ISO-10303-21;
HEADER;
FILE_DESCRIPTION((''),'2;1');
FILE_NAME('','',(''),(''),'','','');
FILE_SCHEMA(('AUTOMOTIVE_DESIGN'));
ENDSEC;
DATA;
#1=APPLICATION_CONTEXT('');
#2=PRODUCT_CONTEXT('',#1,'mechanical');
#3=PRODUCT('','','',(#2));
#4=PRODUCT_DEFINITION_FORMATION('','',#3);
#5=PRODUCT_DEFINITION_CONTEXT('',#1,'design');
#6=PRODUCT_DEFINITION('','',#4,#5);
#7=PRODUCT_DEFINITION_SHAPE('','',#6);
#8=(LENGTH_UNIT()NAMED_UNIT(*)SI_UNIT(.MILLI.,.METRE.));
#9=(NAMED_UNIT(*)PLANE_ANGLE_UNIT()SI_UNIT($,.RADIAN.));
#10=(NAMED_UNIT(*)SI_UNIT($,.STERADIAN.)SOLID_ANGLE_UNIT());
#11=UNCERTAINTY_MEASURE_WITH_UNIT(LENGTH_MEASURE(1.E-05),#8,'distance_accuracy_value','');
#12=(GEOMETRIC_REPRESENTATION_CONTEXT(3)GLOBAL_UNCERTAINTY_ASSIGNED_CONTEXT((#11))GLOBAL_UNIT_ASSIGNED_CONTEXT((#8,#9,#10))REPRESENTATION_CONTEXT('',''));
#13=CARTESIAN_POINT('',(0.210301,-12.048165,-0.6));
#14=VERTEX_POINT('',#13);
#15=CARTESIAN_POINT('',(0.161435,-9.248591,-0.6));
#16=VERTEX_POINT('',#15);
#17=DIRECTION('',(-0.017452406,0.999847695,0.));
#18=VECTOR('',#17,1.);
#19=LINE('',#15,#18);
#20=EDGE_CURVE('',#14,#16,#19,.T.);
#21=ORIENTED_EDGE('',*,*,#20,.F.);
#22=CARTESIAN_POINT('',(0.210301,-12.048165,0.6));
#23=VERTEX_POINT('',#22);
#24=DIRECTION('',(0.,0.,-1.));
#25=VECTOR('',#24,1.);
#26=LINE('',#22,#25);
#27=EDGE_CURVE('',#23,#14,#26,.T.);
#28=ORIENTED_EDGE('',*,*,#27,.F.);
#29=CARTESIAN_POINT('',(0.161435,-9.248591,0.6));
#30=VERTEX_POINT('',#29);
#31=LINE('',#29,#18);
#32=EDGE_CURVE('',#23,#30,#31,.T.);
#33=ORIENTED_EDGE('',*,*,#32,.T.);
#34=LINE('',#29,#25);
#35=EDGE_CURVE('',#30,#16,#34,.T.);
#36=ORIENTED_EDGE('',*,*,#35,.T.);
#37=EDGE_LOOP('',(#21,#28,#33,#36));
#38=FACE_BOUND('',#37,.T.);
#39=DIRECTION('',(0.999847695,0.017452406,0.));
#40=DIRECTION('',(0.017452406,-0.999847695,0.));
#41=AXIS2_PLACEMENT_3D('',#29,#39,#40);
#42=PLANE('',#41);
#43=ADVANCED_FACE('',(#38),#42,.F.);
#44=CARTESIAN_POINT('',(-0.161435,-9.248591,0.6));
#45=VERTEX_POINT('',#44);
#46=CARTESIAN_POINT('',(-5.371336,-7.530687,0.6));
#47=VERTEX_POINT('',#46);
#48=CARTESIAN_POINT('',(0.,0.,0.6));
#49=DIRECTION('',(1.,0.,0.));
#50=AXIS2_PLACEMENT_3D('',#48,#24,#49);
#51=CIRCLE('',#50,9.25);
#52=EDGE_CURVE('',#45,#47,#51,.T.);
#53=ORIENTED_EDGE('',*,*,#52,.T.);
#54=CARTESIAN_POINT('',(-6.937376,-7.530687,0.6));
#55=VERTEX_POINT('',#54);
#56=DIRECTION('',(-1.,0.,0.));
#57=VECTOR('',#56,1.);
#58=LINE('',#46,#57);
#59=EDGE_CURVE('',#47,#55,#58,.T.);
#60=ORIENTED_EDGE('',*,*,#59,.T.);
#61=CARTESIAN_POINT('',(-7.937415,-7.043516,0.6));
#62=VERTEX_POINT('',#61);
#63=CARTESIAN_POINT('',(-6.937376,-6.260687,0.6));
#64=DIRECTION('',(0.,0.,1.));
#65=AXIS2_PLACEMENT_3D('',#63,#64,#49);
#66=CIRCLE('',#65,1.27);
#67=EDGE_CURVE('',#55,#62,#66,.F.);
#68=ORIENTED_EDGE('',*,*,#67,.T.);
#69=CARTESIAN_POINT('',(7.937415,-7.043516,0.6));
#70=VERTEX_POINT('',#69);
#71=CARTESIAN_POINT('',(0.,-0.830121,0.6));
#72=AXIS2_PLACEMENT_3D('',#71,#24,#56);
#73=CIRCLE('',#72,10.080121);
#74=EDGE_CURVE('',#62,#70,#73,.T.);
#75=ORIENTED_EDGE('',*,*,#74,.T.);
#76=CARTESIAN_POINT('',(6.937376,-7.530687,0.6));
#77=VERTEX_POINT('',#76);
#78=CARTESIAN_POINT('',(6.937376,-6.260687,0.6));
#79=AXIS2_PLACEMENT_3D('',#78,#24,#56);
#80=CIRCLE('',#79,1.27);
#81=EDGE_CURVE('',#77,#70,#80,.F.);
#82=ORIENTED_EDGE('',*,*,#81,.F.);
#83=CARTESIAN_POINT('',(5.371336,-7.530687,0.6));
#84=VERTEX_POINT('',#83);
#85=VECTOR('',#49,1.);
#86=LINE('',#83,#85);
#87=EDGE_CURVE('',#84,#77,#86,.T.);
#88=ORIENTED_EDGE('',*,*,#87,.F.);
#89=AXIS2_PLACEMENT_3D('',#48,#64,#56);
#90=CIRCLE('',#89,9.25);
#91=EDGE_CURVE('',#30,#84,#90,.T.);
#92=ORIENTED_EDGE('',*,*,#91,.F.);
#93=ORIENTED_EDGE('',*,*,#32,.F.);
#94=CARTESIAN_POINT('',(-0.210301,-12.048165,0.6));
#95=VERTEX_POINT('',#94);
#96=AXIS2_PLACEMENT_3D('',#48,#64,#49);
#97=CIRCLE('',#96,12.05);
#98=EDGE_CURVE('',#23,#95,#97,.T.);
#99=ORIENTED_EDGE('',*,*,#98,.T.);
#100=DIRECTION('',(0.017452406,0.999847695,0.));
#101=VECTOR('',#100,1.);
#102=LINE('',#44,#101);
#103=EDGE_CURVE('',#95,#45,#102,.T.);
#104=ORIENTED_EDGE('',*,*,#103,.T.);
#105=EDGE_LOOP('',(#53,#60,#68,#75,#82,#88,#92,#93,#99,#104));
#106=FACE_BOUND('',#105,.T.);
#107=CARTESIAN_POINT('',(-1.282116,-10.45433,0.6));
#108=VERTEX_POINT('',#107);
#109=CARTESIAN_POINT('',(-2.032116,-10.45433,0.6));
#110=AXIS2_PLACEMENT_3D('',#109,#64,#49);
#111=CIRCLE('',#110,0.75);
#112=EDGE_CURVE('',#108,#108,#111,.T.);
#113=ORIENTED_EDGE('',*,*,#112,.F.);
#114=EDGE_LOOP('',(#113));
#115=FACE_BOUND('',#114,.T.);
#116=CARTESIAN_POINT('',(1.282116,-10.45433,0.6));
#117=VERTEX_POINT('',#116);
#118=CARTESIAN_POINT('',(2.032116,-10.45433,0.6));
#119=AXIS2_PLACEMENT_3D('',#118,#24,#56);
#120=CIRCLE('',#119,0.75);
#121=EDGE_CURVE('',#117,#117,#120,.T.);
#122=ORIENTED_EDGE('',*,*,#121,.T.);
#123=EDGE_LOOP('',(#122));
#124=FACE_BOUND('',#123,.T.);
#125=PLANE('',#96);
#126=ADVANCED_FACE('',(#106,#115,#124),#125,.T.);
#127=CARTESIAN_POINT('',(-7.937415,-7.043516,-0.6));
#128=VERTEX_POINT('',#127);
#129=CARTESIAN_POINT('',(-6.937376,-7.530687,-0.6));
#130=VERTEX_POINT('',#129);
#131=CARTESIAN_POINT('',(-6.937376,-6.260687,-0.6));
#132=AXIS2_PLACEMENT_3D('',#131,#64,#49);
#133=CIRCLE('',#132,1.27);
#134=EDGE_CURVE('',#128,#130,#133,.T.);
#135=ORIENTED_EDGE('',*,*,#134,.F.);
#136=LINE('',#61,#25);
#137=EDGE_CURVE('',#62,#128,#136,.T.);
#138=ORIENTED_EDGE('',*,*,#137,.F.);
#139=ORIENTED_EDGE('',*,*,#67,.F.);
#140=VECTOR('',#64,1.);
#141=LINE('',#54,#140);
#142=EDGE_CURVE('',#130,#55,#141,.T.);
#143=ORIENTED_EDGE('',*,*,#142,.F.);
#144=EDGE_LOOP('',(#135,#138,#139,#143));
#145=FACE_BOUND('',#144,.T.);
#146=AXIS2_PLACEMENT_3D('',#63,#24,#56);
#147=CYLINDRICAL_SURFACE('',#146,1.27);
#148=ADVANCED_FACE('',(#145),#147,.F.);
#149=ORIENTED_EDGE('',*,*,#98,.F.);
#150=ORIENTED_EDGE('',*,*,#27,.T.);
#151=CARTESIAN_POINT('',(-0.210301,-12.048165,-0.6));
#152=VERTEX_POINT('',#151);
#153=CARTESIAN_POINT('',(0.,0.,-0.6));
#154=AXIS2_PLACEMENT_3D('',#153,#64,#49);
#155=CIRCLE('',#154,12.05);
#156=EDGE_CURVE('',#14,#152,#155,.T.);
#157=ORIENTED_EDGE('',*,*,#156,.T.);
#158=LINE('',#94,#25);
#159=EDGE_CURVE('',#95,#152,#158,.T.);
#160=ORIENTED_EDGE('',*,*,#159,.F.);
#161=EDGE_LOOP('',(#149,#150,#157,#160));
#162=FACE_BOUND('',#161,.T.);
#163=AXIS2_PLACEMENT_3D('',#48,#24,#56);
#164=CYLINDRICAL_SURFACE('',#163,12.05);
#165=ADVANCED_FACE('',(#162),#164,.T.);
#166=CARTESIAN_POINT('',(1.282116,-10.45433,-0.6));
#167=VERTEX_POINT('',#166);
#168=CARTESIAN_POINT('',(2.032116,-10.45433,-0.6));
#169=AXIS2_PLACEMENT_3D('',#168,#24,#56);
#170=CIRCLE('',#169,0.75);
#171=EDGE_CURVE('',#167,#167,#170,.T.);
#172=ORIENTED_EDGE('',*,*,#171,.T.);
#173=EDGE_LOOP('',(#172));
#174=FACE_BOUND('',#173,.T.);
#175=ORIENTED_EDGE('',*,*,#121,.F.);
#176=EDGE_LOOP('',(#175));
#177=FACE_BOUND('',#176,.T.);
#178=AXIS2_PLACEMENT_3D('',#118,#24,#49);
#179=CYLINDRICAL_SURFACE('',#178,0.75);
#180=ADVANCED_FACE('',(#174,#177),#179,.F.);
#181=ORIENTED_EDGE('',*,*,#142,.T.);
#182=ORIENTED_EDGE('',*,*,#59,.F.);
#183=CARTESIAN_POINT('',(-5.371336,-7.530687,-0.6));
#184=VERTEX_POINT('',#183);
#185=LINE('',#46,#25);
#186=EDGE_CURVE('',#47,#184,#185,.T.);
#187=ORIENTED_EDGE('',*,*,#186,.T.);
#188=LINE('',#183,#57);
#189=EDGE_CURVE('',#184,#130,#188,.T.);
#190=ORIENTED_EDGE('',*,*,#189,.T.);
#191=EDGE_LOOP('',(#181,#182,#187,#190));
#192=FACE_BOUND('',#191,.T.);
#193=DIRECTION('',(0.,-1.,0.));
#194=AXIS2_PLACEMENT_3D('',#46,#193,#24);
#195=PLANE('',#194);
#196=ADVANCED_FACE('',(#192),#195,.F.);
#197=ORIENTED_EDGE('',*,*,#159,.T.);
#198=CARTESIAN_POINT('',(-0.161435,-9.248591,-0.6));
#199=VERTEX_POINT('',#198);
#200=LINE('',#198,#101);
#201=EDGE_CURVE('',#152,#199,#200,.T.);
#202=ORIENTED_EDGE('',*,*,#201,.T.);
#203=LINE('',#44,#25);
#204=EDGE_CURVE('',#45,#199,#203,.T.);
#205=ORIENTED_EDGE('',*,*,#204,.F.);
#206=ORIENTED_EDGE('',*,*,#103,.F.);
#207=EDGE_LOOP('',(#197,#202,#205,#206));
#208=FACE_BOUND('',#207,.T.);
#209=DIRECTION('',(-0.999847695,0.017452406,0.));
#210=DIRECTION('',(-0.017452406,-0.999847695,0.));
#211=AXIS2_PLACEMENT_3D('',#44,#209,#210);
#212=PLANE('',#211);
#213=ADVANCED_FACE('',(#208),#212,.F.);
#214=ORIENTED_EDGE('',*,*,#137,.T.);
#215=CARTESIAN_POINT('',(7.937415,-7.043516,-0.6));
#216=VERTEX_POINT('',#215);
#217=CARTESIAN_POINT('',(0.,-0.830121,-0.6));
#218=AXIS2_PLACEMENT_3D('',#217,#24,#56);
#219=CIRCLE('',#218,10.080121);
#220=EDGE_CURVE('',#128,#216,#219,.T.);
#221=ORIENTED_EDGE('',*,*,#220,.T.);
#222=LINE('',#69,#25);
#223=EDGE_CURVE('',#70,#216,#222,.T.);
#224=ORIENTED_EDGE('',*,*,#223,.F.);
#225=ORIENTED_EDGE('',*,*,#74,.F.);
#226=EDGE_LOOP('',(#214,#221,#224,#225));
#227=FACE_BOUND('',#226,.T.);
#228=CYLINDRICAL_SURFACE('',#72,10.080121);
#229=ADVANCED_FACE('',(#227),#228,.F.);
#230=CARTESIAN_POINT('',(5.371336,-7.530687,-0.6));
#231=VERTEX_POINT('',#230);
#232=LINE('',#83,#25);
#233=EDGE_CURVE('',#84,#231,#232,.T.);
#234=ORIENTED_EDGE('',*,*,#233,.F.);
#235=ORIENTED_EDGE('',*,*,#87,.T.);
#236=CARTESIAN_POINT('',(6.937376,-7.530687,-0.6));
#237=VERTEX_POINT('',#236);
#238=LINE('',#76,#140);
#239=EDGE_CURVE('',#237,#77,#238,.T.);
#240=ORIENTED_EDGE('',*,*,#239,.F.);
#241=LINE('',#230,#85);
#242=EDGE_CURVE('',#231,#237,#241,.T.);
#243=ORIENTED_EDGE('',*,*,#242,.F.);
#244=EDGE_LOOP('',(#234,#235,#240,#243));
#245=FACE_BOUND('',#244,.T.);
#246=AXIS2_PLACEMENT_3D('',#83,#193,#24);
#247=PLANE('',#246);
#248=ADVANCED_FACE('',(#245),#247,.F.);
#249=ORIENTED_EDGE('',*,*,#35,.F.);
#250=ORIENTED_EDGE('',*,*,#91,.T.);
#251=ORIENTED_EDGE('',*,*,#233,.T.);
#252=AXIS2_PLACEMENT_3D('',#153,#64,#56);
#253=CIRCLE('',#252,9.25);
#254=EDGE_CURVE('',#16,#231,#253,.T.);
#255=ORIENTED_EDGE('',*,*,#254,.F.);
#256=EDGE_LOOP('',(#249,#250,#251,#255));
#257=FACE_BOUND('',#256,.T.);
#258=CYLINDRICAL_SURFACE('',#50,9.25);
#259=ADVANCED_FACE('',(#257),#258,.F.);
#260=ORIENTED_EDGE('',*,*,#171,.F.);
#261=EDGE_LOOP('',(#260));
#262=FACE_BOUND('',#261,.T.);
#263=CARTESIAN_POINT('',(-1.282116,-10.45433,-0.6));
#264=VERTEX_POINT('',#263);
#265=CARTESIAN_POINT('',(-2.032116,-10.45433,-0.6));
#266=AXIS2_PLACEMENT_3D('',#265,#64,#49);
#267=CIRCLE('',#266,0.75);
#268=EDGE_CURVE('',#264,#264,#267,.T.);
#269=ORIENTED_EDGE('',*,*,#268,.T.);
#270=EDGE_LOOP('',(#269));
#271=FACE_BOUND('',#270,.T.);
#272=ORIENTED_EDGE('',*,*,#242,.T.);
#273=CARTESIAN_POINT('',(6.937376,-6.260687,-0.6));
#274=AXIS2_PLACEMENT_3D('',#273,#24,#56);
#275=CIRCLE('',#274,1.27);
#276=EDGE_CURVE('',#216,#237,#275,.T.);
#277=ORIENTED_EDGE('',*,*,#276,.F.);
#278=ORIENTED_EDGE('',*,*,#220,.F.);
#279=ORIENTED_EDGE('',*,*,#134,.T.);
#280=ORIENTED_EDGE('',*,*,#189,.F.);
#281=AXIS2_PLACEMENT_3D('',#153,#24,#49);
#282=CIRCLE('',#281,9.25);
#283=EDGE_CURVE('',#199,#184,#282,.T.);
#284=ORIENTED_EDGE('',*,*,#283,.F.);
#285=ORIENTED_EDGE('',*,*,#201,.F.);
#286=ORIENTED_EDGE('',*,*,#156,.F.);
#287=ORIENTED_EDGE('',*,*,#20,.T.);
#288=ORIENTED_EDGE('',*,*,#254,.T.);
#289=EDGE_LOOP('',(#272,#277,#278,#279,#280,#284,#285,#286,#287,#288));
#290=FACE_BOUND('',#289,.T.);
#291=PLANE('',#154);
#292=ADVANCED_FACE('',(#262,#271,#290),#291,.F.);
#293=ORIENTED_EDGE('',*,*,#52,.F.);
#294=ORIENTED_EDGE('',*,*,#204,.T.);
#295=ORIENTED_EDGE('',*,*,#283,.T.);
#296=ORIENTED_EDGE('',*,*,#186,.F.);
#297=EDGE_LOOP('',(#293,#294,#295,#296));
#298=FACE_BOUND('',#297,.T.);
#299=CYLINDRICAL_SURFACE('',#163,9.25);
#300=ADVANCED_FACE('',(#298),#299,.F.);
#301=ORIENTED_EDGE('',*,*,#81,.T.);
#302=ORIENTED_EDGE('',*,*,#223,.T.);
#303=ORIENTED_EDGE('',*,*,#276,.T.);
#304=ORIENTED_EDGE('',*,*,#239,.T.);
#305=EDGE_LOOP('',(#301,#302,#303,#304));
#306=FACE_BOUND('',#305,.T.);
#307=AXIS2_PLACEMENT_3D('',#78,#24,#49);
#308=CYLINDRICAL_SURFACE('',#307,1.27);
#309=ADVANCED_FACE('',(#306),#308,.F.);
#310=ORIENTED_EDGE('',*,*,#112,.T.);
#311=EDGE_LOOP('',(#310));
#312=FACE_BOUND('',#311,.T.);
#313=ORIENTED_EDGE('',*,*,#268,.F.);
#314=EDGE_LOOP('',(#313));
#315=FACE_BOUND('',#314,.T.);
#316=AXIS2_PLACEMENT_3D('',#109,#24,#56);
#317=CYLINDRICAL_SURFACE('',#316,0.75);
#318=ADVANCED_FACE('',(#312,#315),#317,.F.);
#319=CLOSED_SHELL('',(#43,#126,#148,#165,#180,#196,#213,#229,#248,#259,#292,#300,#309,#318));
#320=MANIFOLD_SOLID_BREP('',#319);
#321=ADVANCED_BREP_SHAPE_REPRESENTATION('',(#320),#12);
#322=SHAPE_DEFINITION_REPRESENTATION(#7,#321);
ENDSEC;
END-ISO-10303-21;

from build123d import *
from build123d.topology import SkipClean

# Parameters (mm, degrees)
SKETCH3_R           = 0.75
BOSS_EXTRUDE1_DEPTH = 0.6
FILLET1_R           = 1.27


with BuildPart() as part:
    # Sketch3 → Boss-Extrude1 (new, symmetric)
    with BuildSketch(Plane.XY):
        with BuildLine():
            Line((-5.37133596, -7.53068722), (-7.53068722, -7.53068722))
            ThreePointArc((-7.53068722, -7.53068722), (-9.196503596, 3.297003953), (0, 9.25))
            Line((0, 9.25), (0, 12.05))
            ThreePointArc((0, 12.05), (-12.049541173, 0.105154753), (-0.210301498, -12.048164727))
            Line((-0.210301498, -12.048164727), (-0.16143476, -9.24859118))
            ThreePointArc((-0.16143476, -9.24859118), (-2.896668166, -8.784748917), (-5.37133596, -7.53068722))
        make_face()
        with Locations((-2.032115801, -10.454329504)):
            Circle(SKETCH3_R, mode=Mode.SUBTRACT)
    extrude(amount=BOSS_EXTRUDE1_DEPTH, both=True)

    # Fillet1
    fillet1_edges = [part.edges().sort_by_distance(p)[0] for p in [
        (-7.53068722, -7.53068722, 0),
    ]]
    fillet(fillet1_edges, radius=FILLET1_R)

    # Mirror1: part across plane


with BuildPart() as part_1:
    with SkipClean():  # the faces are left unmerged after this step: merging them gives an invalid solid
        add(part.part)
        add(part.part.mirror(Plane(origin=(0, 0, 0), x_dir=(0, 0, 1), z_dir=(1, 0, 0))))


solid = part_1.part
